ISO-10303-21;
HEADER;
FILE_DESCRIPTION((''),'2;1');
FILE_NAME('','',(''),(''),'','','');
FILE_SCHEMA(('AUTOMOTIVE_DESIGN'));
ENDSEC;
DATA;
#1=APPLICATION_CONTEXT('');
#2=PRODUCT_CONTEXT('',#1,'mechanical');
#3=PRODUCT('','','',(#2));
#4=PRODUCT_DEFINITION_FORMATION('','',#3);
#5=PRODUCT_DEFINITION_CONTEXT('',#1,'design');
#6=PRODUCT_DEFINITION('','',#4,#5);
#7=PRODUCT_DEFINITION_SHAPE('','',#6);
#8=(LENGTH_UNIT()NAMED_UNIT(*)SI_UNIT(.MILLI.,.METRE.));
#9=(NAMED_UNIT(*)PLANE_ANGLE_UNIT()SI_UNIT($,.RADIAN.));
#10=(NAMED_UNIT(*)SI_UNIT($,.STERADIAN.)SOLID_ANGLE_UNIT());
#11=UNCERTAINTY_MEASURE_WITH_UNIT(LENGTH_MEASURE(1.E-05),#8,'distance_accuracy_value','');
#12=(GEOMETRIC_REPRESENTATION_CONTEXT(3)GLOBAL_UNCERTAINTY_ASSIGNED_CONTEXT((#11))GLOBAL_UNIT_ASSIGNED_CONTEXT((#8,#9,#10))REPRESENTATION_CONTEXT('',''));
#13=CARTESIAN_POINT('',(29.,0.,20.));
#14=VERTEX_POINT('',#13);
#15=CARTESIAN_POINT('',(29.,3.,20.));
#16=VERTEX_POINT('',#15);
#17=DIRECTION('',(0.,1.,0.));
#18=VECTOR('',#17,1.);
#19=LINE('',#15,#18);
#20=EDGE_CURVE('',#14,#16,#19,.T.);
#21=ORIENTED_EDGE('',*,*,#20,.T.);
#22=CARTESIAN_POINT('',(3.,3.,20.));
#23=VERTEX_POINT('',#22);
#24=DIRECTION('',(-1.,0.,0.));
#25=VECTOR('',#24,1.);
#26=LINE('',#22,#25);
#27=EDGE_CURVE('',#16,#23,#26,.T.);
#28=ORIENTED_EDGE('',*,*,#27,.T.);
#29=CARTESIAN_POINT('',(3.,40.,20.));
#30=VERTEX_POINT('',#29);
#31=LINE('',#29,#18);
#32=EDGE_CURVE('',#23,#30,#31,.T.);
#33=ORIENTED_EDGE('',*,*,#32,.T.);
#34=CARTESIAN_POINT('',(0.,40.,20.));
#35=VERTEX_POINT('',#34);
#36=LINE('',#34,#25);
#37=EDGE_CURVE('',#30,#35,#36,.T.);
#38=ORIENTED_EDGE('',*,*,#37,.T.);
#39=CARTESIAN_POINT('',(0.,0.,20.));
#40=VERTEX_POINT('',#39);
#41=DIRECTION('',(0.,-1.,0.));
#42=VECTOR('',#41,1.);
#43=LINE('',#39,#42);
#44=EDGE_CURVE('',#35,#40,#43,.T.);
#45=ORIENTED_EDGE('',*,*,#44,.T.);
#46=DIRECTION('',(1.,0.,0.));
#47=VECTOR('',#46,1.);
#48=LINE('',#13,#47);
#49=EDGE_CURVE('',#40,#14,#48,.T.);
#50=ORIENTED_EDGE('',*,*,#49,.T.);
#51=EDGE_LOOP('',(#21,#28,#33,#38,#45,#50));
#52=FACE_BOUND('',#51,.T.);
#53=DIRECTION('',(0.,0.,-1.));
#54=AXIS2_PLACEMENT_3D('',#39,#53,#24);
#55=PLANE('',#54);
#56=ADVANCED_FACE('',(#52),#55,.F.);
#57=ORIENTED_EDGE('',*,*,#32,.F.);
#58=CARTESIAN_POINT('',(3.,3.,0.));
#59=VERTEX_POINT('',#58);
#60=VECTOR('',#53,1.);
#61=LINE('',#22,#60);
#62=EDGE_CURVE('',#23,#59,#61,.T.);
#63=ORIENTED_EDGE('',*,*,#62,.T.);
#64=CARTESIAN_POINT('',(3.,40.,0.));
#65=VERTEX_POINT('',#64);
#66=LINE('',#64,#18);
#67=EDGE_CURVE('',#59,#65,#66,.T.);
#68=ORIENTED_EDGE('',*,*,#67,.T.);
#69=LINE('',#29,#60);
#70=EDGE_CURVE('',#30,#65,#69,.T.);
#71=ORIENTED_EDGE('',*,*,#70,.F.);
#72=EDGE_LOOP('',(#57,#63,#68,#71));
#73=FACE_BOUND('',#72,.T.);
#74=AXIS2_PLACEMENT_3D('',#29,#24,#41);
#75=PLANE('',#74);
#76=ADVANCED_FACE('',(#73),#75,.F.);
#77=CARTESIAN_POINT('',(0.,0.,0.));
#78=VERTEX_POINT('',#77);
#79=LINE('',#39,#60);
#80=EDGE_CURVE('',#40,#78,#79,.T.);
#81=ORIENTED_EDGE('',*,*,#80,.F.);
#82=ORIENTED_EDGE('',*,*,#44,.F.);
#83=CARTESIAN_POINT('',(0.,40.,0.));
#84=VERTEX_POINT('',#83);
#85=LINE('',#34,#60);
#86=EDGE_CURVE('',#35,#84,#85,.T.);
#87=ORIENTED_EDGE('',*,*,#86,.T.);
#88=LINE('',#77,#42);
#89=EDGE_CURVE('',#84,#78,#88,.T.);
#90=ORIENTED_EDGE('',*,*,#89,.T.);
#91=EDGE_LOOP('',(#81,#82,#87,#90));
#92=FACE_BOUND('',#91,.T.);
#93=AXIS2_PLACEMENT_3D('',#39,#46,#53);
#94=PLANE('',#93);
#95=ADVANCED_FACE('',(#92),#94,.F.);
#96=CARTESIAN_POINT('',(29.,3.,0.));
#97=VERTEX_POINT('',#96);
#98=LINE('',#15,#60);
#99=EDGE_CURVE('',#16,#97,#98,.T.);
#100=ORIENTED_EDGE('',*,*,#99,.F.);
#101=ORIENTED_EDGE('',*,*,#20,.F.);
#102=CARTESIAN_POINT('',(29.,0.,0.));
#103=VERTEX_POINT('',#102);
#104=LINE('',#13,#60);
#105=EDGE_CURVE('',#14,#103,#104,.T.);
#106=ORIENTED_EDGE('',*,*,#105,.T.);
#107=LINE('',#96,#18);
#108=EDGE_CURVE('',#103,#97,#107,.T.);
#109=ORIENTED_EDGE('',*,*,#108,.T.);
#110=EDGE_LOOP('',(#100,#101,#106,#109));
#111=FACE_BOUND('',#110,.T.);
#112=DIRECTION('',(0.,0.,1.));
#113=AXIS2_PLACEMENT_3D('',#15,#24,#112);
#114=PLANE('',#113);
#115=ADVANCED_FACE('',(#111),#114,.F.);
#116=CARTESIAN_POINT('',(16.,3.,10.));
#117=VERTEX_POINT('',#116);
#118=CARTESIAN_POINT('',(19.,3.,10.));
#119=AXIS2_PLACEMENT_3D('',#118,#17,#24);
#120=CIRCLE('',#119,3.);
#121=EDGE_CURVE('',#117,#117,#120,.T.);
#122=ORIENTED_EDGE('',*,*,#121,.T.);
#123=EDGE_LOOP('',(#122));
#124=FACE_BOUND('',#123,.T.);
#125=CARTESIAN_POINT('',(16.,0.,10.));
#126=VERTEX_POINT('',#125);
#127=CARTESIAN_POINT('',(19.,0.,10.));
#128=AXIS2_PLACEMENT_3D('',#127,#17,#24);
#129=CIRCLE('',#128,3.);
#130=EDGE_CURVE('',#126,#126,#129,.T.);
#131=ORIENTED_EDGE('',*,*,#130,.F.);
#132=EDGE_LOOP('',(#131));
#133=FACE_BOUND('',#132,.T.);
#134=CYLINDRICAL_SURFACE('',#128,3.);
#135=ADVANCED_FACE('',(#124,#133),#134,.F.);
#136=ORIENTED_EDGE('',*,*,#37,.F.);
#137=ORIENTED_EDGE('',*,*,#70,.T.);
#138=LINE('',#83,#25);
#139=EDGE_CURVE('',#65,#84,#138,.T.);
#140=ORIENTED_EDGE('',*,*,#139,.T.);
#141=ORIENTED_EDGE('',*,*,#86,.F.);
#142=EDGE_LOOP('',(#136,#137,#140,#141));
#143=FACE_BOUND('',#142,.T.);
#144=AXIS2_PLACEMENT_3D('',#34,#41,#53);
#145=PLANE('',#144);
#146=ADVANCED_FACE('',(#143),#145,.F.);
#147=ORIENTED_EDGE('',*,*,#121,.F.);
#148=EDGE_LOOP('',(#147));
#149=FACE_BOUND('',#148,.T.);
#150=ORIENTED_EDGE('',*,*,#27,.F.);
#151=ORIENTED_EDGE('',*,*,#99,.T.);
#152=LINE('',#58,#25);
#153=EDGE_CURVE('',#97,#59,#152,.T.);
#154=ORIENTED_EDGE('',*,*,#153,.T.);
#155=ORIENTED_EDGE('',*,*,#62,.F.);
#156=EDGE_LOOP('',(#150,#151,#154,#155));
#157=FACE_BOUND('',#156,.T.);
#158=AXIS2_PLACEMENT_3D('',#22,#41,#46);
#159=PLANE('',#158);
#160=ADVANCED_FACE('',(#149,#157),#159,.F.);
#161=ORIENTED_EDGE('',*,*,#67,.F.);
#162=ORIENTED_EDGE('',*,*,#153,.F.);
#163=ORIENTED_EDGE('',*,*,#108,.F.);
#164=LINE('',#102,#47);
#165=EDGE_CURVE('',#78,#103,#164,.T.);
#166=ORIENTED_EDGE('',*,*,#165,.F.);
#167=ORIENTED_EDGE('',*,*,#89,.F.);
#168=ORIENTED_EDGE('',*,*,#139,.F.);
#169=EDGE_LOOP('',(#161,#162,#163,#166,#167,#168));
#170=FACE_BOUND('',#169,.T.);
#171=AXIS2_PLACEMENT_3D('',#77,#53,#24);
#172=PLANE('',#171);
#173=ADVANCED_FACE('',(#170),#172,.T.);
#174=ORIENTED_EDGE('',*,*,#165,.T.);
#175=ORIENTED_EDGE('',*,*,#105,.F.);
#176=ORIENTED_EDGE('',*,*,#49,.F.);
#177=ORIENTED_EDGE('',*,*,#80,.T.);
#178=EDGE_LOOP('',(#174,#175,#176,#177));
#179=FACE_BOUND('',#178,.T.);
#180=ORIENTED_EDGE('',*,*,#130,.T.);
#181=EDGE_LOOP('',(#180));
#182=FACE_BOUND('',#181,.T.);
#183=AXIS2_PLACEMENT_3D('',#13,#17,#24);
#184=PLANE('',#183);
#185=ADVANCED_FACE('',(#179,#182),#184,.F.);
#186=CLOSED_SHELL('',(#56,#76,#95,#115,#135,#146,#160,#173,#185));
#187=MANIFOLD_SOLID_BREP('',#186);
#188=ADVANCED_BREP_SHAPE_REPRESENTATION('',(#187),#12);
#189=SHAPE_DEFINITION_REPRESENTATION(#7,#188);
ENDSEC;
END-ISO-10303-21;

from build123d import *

# Parameters (mm, degrees)
BOSS_EXTRUDE1_DEPTH = 20
SKETCH2_R           = 3
CUT_EXTRUDE1_DEPTH  = 52.088159098


with BuildPart() as part:
    # Sketch1 → Boss-Extrude1 (new body)
    with BuildSketch(Plane.XY):
        Polygon((0, 0), (0, 40), (3, 40), (3, 3), (29, 3), (29, 0), align=None)
    extrude(amount=BOSS_EXTRUDE1_DEPTH)

    # Sketch2 → Cut-Extrude1 (cut, through all)
    with BuildSketch(Plane(origin=(0, 3, 0), x_dir=(1, 0, 0), z_dir=(0, 1, 0))):
        with Locations(Location((19, -10, 0), (0, 0, 180))):
            Circle(SKETCH2_R)
    extrude(amount=-CUT_EXTRUDE1_DEPTH, mode=Mode.SUBTRACT)


solid = part.part
